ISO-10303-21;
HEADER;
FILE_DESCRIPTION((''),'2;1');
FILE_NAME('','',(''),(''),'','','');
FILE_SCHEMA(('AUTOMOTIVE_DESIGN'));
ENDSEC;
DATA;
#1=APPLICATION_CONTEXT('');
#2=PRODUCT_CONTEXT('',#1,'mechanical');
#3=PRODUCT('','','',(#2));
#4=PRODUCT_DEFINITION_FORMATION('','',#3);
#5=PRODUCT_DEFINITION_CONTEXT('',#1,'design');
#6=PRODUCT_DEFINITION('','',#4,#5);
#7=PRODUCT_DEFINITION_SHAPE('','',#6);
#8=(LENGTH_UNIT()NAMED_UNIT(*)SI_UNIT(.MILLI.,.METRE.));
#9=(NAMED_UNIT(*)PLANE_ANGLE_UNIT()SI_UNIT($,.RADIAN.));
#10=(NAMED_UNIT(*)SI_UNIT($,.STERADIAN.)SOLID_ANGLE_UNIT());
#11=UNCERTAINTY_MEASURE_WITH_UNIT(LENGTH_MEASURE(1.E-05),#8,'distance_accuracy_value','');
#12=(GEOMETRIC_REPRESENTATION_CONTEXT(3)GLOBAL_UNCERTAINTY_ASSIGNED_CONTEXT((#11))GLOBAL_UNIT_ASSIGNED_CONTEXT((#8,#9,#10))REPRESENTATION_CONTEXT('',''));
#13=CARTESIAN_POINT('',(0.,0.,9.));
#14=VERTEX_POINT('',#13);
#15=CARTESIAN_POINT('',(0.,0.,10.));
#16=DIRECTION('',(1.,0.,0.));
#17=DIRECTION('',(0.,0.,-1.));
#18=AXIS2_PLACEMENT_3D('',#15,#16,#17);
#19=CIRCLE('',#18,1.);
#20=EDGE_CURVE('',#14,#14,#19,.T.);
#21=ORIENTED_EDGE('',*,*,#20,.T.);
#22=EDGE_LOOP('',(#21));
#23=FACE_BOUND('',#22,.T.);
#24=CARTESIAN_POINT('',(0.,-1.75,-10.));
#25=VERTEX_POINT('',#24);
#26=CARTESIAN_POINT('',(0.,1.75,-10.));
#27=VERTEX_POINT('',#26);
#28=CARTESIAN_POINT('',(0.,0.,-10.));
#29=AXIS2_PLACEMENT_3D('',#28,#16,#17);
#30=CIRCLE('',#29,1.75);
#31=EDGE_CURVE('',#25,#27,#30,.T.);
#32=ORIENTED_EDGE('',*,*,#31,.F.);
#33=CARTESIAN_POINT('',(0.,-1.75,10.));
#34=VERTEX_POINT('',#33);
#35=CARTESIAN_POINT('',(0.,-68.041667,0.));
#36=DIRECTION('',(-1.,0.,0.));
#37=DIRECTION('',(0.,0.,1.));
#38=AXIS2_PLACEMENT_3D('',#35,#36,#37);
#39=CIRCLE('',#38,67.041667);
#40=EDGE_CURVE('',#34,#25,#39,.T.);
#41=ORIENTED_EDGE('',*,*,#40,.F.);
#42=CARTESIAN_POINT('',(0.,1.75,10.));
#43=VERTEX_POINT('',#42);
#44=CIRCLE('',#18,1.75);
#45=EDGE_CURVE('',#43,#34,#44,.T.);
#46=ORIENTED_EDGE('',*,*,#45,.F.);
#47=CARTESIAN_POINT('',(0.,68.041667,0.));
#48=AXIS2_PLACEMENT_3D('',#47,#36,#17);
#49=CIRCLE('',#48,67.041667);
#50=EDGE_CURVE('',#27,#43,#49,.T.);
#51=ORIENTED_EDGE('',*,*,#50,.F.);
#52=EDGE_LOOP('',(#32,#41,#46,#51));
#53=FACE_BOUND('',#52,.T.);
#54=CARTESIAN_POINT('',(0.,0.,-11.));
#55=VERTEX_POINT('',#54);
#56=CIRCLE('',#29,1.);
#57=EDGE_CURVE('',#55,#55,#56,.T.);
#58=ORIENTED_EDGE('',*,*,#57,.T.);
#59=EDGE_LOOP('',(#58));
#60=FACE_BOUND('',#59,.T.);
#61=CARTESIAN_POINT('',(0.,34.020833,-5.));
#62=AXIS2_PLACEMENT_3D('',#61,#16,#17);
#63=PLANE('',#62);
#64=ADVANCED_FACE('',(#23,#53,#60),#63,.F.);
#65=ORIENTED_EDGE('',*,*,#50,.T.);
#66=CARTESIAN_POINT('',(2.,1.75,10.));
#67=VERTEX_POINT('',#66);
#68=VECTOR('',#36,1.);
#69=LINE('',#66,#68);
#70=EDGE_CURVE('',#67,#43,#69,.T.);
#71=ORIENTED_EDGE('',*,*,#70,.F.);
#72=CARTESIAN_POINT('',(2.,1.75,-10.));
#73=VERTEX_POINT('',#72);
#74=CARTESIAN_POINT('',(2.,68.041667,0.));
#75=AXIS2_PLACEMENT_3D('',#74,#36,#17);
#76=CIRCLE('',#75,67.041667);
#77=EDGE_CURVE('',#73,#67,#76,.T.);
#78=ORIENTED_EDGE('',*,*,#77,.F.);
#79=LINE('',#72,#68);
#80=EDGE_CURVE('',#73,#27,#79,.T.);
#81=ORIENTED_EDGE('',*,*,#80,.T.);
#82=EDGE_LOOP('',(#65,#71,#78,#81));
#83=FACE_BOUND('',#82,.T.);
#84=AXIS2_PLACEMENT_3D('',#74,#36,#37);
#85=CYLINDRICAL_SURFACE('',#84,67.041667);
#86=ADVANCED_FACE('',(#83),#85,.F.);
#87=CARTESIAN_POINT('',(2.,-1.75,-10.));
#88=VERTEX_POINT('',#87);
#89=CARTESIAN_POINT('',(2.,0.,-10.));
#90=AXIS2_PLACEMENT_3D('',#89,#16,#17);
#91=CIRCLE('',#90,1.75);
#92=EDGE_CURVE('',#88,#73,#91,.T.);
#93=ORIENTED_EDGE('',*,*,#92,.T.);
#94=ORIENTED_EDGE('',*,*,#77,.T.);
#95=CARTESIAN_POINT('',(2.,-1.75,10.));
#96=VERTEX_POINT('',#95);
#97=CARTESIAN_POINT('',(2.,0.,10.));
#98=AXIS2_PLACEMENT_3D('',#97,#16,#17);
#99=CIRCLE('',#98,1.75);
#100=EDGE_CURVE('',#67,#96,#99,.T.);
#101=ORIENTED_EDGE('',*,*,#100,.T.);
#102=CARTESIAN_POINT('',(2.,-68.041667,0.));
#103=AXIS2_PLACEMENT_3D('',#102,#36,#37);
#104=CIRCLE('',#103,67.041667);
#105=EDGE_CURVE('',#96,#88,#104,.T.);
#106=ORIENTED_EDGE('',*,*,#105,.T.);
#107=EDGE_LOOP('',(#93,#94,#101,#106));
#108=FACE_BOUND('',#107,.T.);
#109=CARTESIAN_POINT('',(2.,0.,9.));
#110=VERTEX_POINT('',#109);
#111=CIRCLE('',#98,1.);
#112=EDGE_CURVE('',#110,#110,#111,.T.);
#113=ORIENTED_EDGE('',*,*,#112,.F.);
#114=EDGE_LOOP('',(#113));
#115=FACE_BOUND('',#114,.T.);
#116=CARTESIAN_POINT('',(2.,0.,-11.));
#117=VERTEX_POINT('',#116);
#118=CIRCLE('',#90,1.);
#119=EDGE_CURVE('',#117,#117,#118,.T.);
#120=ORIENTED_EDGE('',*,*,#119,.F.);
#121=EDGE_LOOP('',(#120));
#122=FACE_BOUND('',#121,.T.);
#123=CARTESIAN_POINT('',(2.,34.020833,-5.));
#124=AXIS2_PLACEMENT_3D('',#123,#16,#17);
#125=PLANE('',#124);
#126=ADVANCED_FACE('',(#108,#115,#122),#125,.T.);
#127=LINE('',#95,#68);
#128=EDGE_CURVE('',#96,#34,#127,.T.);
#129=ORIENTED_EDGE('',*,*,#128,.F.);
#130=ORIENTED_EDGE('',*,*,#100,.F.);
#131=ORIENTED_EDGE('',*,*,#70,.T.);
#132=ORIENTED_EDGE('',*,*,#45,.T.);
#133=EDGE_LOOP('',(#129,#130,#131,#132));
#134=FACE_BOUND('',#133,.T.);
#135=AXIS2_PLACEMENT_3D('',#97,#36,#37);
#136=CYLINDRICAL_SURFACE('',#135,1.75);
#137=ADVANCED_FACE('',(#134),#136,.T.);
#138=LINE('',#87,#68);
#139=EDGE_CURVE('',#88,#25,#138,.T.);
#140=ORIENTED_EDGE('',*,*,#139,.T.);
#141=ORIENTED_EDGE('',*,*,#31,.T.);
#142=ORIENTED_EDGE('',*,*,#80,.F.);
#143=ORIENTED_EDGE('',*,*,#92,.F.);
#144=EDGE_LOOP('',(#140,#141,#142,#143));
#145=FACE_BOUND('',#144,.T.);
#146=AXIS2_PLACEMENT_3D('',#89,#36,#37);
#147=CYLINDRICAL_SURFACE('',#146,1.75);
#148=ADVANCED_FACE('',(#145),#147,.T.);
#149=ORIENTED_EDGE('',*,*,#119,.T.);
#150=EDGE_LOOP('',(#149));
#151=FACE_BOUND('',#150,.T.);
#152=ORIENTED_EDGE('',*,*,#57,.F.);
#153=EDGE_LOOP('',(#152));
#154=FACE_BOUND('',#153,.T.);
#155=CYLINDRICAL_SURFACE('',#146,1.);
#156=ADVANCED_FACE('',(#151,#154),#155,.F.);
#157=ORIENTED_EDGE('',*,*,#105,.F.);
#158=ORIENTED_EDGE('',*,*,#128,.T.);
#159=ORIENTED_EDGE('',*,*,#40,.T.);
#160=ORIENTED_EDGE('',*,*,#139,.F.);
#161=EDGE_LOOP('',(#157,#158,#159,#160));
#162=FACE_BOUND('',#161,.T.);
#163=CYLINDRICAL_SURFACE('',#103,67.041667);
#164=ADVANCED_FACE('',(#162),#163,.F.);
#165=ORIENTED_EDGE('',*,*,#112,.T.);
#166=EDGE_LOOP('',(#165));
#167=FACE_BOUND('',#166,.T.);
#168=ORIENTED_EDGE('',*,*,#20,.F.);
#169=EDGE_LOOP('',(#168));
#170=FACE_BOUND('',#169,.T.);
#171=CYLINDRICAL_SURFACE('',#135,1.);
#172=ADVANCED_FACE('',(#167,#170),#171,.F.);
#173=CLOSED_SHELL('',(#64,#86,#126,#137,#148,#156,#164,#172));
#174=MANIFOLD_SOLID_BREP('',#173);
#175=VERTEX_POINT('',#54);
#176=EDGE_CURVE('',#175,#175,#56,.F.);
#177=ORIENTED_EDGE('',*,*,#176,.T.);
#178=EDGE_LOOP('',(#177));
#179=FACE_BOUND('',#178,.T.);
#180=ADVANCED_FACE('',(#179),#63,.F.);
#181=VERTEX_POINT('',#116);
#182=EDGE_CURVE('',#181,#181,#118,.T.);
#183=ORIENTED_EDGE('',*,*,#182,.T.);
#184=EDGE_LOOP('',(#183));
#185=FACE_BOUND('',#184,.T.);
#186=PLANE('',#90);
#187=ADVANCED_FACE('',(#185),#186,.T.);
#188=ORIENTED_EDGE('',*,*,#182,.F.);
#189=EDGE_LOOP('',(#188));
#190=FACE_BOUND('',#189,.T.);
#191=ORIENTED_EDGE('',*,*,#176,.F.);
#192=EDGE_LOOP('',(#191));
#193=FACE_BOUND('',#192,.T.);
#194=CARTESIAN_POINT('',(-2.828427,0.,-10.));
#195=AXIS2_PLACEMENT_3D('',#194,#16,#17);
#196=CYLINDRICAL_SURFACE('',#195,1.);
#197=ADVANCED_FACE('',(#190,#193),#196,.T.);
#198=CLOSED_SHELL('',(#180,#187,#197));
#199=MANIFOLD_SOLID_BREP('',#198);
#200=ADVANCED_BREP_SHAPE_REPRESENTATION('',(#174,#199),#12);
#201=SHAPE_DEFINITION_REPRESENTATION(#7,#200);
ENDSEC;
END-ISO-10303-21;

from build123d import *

# Parameters (mm, degrees)
SKETCH1_R           = 1
BOSS_EXTRUDE1_DEPTH = 2
SKETCH2_R           = 1
BOSS_EXTRUDE2_DEPTH = 2


with BuildPart() as part:
    # Sketch1 → Boss-Extrude1 (new body)
    with BuildSketch(Plane(origin=(0, 0, 0), x_dir=(0, 0, -1), z_dir=(1, 0, 0))):
        with BuildLine():
            ThreePointArc((-10, 1.75), (-11.75, 0), (-10, -1.75))
            ThreePointArc((-10, -1.75), (0, -1), (10, -1.75))
            ThreePointArc((10, -1.75), (11.75, 0), (10, 1.75))
            ThreePointArc((10, 1.75), (0, 1), (-10, 1.75))
        make_face()
        with Locations((-10, 0)):
            Circle(SKETCH1_R, mode=Mode.SUBTRACT)
        with Locations((10, 0)):
            Circle(SKETCH1_R, mode=Mode.SUBTRACT)
    extrude(amount=BOSS_EXTRUDE1_DEPTH)


with BuildPart() as body_2:
    # Sketch2 → Boss-Extrude2 (new body)
    with BuildSketch(Plane(origin=(2, 0, 0), x_dir=(0, 0, -1), z_dir=(1, 0, 0))):
        with Locations((10, 0)):
            Circle(SKETCH2_R)
    extrude(amount=-BOSS_EXTRUDE2_DEPTH)


solid = Compound([part.part, body_2.part])
